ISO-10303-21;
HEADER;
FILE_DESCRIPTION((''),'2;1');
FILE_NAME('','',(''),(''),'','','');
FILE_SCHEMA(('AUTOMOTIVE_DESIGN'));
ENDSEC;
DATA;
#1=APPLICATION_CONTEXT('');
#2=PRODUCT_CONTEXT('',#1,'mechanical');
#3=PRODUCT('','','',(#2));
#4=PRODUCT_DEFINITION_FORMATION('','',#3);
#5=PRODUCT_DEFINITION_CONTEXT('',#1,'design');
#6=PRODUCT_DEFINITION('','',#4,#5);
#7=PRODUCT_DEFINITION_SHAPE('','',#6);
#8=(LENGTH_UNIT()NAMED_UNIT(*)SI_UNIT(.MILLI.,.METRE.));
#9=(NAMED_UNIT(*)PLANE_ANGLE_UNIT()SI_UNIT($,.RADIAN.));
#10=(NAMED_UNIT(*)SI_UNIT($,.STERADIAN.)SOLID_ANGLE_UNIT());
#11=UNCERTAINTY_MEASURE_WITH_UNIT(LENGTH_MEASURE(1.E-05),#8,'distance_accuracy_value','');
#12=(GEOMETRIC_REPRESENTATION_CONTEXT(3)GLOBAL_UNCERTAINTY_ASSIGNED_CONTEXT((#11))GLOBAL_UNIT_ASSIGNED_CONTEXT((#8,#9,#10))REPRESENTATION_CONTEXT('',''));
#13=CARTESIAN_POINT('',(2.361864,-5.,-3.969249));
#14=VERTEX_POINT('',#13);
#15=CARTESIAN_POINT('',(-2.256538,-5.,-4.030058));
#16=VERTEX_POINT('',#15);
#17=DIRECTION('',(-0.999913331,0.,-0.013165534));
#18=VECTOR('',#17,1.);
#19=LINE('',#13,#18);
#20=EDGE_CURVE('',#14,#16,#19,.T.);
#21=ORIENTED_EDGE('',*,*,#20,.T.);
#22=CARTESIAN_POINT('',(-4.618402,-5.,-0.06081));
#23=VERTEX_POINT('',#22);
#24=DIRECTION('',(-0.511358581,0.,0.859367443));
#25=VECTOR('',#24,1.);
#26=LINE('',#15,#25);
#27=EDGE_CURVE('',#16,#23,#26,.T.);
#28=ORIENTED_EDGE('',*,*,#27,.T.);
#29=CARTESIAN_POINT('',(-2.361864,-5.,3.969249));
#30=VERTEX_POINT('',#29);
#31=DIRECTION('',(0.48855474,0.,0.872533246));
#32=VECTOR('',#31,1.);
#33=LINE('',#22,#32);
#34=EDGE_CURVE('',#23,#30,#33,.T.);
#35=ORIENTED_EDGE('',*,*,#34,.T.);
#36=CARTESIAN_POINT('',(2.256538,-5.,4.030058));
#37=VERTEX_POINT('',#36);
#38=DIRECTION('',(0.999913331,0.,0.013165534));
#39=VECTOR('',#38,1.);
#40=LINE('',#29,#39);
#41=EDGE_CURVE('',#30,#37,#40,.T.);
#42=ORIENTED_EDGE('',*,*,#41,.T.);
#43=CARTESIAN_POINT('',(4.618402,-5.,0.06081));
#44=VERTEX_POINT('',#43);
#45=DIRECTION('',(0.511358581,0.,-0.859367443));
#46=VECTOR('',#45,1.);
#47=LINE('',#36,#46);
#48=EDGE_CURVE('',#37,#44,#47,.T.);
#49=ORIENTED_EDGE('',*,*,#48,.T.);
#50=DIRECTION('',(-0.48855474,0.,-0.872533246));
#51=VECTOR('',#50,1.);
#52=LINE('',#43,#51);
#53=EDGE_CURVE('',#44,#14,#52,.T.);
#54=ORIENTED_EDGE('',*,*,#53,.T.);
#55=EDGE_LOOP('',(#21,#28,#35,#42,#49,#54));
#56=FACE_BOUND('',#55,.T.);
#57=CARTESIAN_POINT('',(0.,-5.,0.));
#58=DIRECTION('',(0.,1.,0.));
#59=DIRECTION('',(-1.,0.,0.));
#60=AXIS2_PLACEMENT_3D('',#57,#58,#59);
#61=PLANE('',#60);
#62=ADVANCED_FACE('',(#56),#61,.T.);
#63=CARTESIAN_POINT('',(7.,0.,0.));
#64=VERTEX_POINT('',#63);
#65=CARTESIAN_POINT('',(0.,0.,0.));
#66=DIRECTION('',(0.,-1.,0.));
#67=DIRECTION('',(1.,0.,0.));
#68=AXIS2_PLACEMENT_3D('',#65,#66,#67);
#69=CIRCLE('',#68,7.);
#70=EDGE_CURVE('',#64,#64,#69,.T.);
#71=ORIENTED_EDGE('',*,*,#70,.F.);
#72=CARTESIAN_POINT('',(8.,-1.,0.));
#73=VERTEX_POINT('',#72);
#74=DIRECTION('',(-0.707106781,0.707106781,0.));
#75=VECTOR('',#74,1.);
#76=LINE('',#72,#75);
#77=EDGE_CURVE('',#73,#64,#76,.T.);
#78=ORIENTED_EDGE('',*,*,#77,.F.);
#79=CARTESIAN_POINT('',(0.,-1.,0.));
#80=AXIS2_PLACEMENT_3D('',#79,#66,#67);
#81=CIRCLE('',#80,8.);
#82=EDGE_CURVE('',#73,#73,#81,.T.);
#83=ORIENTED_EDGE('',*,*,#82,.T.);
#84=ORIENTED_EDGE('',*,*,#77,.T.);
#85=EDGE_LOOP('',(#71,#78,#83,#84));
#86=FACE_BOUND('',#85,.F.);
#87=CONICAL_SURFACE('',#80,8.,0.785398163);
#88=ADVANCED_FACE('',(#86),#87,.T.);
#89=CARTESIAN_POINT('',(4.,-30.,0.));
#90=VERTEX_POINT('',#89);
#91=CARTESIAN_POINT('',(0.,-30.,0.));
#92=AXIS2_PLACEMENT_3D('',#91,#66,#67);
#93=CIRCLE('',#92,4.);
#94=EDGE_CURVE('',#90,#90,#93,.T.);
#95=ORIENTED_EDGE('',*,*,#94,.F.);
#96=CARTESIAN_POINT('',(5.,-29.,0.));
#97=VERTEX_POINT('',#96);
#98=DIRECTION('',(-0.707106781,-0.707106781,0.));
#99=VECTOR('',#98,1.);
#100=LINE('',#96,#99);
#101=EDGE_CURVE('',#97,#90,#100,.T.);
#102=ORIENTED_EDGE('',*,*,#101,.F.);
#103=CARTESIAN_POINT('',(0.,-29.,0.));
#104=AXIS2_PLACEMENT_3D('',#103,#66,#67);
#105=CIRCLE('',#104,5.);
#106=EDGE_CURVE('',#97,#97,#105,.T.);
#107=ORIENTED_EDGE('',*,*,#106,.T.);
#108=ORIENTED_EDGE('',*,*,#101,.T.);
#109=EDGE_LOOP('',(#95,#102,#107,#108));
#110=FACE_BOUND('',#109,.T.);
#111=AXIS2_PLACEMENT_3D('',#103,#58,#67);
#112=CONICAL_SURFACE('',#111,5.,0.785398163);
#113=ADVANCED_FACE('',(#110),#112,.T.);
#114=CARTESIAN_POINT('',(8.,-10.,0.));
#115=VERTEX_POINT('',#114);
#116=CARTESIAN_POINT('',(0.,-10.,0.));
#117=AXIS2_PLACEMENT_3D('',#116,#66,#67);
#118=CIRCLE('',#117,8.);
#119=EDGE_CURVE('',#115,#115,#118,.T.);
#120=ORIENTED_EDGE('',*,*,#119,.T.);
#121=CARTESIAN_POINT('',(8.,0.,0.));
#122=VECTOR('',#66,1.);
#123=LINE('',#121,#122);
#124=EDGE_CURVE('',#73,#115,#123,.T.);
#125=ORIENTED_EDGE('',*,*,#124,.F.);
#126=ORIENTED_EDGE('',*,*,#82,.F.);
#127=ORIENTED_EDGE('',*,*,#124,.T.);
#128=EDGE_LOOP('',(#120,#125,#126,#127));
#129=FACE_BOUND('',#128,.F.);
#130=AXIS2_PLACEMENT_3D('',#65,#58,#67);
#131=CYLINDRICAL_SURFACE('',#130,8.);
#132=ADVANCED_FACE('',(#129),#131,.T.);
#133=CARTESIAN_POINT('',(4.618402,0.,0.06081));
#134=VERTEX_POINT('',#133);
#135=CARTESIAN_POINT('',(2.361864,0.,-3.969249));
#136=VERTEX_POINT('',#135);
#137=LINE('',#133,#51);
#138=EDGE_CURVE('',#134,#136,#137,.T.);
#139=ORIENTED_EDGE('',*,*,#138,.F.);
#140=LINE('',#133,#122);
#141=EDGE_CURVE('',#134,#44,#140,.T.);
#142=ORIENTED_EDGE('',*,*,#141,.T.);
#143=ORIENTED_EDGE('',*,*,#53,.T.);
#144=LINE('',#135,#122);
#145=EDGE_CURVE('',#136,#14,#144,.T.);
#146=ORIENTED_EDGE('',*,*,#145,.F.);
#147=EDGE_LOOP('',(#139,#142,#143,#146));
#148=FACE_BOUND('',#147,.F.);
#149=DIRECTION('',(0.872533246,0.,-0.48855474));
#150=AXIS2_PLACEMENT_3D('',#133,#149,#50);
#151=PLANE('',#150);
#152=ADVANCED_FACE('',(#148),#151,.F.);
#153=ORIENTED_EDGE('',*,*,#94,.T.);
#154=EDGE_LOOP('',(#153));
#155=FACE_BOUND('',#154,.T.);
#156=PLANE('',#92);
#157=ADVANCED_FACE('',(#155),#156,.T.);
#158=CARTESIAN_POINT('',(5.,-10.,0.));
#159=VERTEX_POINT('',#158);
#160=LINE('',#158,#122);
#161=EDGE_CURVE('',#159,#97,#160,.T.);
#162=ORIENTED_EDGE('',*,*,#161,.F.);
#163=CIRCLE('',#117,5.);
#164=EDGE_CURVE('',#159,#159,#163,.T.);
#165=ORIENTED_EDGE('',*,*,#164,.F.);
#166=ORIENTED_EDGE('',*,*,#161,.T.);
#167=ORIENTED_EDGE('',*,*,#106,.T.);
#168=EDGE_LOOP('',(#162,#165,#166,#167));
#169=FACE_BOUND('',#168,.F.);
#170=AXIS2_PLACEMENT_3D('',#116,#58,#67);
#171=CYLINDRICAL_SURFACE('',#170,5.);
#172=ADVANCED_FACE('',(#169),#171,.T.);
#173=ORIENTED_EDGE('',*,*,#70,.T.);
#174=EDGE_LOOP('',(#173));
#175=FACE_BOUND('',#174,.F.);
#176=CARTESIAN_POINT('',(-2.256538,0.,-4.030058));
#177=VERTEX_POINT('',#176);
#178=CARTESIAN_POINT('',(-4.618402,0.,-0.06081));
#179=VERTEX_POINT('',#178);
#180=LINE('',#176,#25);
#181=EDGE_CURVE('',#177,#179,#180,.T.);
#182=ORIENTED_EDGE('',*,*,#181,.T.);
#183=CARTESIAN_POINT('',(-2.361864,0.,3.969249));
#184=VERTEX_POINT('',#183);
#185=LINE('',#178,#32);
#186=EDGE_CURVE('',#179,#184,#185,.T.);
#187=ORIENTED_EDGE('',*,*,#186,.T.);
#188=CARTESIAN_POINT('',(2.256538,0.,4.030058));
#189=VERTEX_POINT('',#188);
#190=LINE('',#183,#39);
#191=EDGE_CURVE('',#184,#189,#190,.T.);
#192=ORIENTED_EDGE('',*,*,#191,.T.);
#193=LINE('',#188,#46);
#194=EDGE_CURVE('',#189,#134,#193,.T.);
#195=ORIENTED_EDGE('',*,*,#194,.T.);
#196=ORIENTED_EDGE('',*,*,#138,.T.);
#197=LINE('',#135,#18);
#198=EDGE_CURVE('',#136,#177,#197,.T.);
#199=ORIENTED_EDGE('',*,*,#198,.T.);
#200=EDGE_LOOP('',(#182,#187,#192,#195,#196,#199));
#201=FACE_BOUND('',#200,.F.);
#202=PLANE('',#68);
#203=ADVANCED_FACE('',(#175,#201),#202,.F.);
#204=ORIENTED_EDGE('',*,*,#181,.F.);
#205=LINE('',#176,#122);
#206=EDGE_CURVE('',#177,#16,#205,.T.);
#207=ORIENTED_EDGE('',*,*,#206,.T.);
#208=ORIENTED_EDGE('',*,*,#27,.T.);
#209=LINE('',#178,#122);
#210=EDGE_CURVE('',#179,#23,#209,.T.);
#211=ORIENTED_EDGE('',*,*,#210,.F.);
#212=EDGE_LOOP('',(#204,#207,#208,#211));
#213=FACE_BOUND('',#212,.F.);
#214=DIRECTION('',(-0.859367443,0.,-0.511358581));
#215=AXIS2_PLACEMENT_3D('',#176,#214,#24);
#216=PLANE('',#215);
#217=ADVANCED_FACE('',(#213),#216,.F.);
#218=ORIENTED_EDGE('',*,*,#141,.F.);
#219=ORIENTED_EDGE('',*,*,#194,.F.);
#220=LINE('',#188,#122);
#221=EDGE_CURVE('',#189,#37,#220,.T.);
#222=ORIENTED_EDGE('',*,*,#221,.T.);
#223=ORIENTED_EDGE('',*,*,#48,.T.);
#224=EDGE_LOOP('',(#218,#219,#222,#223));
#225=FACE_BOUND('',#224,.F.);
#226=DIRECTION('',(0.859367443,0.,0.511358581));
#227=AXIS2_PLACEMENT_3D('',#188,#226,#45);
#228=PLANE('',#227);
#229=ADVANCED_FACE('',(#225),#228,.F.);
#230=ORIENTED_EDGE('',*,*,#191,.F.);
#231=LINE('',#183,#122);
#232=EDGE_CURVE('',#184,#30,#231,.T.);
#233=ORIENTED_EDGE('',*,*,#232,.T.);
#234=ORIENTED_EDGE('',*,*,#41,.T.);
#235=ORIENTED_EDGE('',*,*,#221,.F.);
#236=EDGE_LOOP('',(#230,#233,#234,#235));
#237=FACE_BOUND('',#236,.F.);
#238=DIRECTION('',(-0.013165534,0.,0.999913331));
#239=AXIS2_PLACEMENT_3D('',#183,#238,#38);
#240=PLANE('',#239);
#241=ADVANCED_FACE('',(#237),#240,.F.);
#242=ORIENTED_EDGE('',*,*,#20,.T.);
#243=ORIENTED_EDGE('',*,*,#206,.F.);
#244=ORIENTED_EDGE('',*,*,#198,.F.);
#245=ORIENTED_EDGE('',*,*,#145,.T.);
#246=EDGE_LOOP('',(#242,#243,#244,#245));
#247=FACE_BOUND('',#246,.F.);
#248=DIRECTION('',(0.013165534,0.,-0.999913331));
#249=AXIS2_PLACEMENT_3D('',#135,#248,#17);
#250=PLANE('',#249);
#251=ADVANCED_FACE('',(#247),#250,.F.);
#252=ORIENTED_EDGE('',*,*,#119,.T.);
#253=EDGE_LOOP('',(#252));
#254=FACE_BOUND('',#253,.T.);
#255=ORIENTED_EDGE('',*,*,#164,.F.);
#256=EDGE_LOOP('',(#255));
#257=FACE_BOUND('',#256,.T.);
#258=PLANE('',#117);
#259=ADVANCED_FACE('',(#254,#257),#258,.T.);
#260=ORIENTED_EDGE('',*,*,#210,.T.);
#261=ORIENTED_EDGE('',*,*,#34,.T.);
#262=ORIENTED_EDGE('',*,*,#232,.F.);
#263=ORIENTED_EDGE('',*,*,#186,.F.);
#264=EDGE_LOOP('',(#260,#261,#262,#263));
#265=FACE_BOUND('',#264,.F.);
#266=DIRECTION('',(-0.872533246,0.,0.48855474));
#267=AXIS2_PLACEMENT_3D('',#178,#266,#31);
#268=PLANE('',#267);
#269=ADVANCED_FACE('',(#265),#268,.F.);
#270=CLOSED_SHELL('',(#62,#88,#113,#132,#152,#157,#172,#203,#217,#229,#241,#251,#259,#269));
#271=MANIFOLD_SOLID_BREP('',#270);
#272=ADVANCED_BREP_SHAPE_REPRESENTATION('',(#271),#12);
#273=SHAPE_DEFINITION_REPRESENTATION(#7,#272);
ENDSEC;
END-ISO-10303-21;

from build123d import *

# Parameters (mm, degrees)
F0_R     = 8
F1_DEPTH = 10
F2_R     = 5
F3_DEPTH = 20
F4_SIZE  = 1
F6_DEPTH = 5


with BuildPart() as f1:
    # F0 (on Front) → F1 (new body)
    with BuildSketch(Plane.XZ):
        Circle(F0_R)
    extrude(amount=F1_DEPTH)

    # F2 (on face) → F3 (join)
    with BuildSketch(Plane.XZ.offset(10)):
        Circle(F2_R)
    extrude(amount=F3_DEPTH)

    # F4
    f4_edges = [f1.edges().sort_by_distance(p)[0] for p in [
        (-5, -30, 0),
        (-8, 0, 0),
    ]]
    chamfer(f4_edges, length=F4_SIZE)

    # F5 (on face) → F6 (cut)
    with BuildSketch(Plane(origin=(0, 0, 0), x_dir=(-1, 0, 0), z_dir=(0, 1, 0))):
        Polygon((-4.618402, 0.06081), (-2.361864, -3.969249), (2.256538, -4.030058), (4.618402, -0.06081), (2.361864, 3.969249), (-2.256538, 4.030058), align=None)
    extrude(amount=-F6_DEPTH, mode=Mode.SUBTRACT)


solid = f1.part
